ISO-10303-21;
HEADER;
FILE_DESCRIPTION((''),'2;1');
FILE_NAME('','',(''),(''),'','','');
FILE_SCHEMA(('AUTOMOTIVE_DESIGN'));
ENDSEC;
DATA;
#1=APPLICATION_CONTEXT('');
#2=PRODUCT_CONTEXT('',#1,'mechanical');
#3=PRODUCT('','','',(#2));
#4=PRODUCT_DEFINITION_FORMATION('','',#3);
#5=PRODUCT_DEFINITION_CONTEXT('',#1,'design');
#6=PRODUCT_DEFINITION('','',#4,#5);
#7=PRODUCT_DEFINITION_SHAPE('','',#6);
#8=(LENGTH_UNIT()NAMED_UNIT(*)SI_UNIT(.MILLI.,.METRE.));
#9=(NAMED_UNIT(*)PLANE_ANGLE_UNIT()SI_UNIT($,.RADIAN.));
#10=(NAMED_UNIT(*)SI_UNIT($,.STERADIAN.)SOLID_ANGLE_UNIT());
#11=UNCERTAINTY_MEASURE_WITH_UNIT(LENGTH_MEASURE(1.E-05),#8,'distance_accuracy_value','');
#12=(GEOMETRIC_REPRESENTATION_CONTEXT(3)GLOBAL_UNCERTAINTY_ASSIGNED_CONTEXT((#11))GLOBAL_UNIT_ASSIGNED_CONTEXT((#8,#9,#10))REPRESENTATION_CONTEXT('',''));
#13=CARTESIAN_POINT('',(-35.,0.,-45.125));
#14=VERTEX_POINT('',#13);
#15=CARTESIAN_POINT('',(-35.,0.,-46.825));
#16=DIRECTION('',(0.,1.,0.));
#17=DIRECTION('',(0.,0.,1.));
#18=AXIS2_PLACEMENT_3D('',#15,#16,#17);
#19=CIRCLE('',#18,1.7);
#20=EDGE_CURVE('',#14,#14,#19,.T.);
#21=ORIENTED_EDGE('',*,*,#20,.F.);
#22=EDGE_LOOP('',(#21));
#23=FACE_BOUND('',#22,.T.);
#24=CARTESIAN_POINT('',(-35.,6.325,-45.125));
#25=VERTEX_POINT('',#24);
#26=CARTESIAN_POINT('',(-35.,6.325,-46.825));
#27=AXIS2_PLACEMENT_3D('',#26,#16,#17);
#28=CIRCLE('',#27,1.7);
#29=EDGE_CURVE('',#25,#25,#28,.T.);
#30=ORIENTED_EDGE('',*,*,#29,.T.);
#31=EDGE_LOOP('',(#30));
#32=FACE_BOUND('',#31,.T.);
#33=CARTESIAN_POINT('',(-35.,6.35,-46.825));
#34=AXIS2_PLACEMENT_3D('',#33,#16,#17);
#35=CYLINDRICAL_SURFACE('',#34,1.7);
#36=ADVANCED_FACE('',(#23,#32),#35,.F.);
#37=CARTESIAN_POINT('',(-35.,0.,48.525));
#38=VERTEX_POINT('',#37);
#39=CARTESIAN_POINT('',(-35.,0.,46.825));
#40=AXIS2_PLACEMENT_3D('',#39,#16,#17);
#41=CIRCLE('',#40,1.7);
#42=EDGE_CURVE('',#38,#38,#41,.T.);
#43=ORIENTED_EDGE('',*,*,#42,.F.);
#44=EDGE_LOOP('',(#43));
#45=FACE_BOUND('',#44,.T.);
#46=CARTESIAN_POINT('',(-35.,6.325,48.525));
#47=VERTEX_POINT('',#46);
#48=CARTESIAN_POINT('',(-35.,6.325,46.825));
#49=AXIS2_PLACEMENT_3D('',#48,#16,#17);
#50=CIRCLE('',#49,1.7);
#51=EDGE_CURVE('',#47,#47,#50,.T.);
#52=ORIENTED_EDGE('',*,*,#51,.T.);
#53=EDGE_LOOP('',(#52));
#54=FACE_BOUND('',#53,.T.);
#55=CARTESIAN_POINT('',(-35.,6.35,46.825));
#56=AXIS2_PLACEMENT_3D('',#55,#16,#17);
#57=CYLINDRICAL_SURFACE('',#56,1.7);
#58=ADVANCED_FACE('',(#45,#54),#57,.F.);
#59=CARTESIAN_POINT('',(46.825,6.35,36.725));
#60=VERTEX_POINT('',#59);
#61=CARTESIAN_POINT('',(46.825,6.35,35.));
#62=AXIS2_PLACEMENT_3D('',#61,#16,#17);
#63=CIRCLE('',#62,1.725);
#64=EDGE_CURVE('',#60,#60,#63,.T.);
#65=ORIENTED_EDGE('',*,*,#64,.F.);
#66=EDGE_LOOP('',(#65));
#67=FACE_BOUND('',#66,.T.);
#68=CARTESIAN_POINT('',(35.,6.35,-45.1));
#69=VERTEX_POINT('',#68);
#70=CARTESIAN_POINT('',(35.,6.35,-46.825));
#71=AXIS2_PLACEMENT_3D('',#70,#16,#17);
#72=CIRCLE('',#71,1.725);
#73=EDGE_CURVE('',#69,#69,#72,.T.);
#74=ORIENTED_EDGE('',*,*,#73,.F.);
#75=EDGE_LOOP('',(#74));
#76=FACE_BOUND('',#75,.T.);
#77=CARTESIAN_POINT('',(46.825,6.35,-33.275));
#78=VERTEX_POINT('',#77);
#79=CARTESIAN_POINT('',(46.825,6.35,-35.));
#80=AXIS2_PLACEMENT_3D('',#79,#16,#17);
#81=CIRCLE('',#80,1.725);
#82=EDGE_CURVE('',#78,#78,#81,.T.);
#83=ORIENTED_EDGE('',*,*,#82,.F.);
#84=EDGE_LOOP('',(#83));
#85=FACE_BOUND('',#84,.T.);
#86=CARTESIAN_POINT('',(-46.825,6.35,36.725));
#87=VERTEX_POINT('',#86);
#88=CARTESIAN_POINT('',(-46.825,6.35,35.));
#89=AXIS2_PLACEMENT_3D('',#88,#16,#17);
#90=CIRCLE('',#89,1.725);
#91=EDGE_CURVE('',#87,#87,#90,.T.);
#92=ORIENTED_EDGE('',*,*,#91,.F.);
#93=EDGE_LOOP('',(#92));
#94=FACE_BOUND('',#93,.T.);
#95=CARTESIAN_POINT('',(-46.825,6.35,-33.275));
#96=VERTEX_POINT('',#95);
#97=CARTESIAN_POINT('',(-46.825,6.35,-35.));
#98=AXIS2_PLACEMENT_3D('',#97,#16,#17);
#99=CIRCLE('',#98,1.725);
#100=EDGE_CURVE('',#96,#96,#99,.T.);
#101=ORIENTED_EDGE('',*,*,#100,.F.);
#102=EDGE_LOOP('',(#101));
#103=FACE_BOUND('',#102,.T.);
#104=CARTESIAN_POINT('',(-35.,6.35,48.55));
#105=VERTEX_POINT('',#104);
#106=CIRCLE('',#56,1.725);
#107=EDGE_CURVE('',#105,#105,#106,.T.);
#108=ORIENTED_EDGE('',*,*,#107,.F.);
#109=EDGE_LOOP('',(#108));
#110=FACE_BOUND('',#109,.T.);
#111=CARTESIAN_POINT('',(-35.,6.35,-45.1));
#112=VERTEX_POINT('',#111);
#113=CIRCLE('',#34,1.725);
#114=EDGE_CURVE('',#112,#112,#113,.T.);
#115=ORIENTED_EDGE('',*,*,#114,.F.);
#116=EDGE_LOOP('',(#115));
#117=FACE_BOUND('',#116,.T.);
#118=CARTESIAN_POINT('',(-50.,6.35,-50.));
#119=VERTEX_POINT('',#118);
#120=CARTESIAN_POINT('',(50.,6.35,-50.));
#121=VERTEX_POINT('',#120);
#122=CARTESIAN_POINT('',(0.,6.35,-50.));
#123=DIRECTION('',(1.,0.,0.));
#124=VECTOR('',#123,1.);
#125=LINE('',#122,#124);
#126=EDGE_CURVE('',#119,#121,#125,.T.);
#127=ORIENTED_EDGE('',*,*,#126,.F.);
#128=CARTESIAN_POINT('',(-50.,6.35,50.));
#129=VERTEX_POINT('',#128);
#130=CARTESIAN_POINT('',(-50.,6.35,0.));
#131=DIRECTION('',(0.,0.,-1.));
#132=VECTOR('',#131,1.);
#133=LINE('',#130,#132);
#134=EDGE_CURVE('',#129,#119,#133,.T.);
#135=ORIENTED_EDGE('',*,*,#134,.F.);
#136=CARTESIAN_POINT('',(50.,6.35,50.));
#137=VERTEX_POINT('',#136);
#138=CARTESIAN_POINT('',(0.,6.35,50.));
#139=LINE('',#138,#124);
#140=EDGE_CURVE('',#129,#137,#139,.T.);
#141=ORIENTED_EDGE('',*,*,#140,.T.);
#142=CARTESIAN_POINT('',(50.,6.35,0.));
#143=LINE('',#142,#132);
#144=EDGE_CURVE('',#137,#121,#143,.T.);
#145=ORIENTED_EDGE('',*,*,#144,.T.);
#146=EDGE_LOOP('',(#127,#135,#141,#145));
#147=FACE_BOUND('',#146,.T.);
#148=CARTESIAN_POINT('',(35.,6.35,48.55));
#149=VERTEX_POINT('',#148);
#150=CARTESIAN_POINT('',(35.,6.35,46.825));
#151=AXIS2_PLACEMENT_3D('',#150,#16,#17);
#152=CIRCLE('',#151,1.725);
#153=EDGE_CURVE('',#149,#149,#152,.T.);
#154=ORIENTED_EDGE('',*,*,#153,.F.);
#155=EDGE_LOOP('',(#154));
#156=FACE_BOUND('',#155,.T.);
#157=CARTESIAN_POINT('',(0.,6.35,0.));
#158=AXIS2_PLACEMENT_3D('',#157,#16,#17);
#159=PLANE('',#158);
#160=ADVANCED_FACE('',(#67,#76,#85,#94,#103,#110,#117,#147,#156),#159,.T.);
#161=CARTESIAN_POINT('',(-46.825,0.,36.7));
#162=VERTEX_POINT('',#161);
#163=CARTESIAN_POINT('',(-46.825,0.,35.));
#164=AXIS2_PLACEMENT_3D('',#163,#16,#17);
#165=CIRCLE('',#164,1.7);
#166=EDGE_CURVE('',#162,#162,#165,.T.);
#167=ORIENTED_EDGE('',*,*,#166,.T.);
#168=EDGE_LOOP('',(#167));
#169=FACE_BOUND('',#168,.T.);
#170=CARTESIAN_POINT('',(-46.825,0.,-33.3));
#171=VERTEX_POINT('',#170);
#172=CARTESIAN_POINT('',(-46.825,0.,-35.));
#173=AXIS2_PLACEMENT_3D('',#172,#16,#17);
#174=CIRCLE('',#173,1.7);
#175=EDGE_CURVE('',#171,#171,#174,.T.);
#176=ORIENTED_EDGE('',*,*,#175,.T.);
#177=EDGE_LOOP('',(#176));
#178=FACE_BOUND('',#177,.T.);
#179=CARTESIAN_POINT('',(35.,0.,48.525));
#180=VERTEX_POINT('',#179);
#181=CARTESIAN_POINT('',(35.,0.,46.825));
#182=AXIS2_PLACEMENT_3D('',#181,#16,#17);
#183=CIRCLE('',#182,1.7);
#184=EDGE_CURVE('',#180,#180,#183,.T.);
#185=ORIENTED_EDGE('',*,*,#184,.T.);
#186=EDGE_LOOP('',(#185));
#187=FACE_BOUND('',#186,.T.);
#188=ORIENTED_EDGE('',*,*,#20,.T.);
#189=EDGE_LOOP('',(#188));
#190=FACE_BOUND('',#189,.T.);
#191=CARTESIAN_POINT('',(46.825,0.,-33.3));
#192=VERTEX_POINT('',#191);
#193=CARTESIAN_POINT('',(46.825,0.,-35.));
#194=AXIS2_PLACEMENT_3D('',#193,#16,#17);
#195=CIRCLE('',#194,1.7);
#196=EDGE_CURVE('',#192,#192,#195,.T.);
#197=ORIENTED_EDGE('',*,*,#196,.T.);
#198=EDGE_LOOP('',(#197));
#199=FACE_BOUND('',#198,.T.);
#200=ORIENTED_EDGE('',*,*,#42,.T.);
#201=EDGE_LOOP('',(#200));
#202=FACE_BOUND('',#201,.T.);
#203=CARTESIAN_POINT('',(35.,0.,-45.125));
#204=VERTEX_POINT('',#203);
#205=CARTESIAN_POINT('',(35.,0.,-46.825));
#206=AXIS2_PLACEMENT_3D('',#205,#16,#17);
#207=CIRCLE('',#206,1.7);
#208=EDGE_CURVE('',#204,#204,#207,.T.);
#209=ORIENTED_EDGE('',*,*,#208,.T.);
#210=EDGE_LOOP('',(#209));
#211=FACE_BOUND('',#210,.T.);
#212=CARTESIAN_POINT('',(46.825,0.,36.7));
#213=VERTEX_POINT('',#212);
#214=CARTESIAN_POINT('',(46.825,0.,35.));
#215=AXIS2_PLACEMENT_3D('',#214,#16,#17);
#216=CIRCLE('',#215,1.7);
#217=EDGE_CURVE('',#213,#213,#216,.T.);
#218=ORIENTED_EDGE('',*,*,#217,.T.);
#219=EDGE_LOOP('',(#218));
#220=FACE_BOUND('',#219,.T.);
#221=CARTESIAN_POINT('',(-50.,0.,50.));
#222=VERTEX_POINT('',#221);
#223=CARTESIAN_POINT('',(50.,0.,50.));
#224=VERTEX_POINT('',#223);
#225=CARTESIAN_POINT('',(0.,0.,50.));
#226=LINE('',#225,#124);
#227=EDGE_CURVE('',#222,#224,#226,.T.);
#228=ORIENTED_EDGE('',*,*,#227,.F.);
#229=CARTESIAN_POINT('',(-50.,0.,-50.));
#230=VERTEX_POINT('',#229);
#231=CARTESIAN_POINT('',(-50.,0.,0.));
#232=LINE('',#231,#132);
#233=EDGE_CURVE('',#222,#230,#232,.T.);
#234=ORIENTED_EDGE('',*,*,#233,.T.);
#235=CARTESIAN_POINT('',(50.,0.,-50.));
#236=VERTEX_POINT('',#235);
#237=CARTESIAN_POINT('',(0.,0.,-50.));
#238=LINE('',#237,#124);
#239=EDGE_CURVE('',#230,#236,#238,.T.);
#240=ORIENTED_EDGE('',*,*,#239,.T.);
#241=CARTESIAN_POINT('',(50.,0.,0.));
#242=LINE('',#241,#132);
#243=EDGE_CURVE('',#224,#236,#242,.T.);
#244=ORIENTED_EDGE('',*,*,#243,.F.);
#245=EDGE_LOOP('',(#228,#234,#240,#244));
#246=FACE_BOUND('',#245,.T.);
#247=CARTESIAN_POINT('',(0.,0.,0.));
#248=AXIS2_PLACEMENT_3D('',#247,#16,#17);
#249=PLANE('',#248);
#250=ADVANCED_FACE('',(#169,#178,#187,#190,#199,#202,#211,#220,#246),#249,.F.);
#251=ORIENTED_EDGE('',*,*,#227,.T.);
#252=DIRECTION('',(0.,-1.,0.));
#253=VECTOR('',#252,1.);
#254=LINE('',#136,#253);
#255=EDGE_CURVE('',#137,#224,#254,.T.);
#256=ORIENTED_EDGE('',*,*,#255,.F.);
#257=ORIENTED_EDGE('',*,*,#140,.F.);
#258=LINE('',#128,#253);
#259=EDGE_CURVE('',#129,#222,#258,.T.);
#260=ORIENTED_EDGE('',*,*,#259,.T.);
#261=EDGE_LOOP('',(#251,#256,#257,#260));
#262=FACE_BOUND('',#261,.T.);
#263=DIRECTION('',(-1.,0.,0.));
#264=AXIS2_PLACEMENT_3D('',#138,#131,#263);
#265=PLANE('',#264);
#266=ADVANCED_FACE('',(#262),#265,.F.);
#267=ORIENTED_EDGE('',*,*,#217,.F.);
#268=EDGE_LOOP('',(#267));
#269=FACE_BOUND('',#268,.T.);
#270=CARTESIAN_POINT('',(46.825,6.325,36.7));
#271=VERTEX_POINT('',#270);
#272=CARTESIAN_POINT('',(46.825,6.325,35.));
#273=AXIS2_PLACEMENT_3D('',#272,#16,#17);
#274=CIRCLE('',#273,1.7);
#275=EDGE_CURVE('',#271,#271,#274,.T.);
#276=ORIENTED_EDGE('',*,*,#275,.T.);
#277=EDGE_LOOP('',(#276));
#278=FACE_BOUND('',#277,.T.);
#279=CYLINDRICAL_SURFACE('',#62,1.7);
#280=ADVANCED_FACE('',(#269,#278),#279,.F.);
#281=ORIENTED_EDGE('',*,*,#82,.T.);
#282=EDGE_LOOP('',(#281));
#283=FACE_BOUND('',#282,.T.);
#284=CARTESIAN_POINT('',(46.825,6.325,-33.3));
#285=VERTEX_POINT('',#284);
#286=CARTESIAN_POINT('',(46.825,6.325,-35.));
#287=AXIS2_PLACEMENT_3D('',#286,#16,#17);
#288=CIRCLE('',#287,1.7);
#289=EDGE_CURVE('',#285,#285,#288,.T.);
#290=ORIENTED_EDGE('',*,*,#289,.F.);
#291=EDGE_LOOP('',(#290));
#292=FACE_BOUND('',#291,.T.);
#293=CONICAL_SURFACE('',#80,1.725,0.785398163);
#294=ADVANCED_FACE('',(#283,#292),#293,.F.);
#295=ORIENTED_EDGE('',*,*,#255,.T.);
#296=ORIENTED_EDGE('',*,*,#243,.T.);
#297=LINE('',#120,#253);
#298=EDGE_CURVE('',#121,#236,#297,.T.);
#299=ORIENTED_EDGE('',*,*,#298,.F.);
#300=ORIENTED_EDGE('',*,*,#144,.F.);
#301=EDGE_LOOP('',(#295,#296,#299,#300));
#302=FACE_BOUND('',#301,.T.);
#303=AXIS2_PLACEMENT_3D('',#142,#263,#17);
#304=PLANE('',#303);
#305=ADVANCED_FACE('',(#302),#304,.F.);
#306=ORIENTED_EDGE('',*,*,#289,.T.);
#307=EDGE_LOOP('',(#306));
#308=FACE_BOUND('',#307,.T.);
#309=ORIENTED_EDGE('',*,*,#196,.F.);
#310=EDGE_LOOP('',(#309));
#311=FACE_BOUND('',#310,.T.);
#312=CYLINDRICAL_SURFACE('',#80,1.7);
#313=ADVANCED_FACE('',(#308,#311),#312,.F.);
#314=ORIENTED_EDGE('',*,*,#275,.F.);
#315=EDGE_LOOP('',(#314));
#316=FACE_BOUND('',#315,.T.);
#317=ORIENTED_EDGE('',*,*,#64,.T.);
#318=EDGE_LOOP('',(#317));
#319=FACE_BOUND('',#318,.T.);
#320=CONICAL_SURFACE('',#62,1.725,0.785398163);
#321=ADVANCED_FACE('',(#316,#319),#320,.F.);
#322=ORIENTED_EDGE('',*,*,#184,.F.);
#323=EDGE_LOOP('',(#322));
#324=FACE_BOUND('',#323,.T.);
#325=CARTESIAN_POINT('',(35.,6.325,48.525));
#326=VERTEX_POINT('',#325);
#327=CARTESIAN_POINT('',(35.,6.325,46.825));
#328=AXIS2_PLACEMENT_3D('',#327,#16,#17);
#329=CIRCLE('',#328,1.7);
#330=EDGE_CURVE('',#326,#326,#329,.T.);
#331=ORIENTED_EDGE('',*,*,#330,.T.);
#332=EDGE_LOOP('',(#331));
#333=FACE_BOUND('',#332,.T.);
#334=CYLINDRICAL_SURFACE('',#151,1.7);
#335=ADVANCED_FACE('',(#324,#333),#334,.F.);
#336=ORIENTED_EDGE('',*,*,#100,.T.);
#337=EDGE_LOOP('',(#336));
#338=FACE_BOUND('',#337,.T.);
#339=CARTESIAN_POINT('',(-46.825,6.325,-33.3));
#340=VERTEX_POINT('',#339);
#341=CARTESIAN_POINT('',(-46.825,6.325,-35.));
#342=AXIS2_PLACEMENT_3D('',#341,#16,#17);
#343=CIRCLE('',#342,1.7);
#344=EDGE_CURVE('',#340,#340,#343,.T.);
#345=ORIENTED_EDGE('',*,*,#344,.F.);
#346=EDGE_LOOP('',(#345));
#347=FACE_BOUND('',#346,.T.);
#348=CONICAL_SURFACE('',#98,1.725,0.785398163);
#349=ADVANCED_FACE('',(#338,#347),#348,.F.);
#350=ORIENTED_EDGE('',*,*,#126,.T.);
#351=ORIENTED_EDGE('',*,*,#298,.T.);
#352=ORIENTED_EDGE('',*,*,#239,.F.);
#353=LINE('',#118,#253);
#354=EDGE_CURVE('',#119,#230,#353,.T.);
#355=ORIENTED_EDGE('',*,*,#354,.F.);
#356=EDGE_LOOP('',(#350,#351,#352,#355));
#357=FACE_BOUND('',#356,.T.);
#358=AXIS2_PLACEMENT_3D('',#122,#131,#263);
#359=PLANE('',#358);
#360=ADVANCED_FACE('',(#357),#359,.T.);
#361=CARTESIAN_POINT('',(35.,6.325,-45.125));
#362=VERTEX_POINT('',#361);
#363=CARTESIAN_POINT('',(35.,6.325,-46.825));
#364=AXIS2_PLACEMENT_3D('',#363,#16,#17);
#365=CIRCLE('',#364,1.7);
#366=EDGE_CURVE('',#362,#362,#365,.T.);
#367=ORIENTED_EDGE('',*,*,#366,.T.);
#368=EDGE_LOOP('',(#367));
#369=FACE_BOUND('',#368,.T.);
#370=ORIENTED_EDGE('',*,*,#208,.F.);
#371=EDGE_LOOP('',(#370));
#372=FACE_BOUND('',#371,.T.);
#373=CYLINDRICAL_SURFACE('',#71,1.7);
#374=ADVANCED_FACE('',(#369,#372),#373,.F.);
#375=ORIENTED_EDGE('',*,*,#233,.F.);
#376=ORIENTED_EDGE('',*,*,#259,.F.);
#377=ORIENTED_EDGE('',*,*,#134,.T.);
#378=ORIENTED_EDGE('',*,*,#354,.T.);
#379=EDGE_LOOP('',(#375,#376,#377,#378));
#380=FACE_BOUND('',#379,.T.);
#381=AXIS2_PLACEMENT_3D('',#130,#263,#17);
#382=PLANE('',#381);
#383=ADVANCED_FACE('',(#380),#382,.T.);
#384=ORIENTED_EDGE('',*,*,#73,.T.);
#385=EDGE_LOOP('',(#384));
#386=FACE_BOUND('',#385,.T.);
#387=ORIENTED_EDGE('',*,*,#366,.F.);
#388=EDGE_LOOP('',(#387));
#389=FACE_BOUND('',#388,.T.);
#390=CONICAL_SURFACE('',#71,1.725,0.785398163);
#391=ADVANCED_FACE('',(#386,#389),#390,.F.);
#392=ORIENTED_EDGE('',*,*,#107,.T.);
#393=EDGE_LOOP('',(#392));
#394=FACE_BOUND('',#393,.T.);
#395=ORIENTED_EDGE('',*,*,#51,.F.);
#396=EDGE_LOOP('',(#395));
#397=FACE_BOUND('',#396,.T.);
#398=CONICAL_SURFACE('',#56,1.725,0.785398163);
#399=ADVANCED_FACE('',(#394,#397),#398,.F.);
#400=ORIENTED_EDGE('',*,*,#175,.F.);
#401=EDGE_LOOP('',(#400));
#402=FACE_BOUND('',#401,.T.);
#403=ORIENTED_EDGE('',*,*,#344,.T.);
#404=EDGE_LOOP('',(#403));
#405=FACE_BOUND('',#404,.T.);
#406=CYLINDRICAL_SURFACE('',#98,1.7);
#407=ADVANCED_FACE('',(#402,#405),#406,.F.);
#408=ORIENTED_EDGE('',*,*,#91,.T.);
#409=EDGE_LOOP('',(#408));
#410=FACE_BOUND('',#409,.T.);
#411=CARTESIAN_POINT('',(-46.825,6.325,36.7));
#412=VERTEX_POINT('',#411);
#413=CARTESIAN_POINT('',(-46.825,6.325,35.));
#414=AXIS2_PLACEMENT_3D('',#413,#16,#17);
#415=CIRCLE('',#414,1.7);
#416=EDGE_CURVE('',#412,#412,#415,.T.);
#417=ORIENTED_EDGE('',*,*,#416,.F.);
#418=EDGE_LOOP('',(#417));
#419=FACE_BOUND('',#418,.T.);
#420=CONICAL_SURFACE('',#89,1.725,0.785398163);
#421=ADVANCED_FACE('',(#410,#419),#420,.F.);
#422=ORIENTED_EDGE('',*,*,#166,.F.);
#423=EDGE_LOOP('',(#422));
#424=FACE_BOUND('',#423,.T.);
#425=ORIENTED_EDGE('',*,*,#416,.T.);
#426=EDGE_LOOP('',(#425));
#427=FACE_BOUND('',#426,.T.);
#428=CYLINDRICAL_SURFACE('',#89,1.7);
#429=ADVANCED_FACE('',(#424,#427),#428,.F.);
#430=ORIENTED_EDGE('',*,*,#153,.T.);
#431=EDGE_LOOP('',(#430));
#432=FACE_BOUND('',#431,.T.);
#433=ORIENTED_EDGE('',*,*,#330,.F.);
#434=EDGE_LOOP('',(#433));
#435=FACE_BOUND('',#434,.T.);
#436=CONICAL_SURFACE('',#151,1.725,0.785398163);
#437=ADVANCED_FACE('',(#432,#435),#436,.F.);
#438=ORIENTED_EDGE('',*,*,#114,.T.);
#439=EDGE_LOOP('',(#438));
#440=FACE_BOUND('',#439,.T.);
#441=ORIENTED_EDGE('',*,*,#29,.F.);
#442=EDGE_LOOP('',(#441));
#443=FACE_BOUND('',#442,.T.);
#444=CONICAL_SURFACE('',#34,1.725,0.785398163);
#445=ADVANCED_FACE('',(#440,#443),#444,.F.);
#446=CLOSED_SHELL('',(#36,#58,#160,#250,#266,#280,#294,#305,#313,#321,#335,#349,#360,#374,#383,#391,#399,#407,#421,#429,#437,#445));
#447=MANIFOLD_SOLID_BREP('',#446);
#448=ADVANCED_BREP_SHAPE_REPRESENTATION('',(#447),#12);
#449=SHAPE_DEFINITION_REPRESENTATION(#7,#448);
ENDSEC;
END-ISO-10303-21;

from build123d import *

# Parameters (mm, degrees)
SKETCH1_W                      = 100
SKETCH1_H                      = 100
BOSS_EXTRUDE3_DEPTH            = 6.35
M3_CLEARANCE_HOLE1_D           = 3.4
M3_CLEARANCE_HOLE1_CSINK_D     = 3.45
M3_CLEARANCE_HOLE1_CSINK_ANGLE = 90


with BuildPart() as part:
    # Sketch1 → Boss-Extrude3 (new body)
    with BuildSketch(Plane(origin=(0, 0, 0), x_dir=(1, 0, 0), z_dir=(0, 1, 0))):
        Rectangle(SKETCH1_W, SKETCH1_H)
    extrude(amount=BOSS_EXTRUDE3_DEPTH)

    # M3 Clearance Hole1 (through all)
    with Locations(Plane(origin=(0, 6.35, 0), x_dir=(1, 0, 0), z_dir=(0, 1, 0))):
        with Locations((-46.825, 35), (-35, 46.825), (35, 46.825), (46.825, 35), (46.825, -35), (35, -46.825), (-35, -46.825), (-46.825, -35)):
            CounterSinkHole(M3_CLEARANCE_HOLE1_D / 2, M3_CLEARANCE_HOLE1_CSINK_D / 2, counter_sink_angle=M3_CLEARANCE_HOLE1_CSINK_ANGLE)


solid = part.part
